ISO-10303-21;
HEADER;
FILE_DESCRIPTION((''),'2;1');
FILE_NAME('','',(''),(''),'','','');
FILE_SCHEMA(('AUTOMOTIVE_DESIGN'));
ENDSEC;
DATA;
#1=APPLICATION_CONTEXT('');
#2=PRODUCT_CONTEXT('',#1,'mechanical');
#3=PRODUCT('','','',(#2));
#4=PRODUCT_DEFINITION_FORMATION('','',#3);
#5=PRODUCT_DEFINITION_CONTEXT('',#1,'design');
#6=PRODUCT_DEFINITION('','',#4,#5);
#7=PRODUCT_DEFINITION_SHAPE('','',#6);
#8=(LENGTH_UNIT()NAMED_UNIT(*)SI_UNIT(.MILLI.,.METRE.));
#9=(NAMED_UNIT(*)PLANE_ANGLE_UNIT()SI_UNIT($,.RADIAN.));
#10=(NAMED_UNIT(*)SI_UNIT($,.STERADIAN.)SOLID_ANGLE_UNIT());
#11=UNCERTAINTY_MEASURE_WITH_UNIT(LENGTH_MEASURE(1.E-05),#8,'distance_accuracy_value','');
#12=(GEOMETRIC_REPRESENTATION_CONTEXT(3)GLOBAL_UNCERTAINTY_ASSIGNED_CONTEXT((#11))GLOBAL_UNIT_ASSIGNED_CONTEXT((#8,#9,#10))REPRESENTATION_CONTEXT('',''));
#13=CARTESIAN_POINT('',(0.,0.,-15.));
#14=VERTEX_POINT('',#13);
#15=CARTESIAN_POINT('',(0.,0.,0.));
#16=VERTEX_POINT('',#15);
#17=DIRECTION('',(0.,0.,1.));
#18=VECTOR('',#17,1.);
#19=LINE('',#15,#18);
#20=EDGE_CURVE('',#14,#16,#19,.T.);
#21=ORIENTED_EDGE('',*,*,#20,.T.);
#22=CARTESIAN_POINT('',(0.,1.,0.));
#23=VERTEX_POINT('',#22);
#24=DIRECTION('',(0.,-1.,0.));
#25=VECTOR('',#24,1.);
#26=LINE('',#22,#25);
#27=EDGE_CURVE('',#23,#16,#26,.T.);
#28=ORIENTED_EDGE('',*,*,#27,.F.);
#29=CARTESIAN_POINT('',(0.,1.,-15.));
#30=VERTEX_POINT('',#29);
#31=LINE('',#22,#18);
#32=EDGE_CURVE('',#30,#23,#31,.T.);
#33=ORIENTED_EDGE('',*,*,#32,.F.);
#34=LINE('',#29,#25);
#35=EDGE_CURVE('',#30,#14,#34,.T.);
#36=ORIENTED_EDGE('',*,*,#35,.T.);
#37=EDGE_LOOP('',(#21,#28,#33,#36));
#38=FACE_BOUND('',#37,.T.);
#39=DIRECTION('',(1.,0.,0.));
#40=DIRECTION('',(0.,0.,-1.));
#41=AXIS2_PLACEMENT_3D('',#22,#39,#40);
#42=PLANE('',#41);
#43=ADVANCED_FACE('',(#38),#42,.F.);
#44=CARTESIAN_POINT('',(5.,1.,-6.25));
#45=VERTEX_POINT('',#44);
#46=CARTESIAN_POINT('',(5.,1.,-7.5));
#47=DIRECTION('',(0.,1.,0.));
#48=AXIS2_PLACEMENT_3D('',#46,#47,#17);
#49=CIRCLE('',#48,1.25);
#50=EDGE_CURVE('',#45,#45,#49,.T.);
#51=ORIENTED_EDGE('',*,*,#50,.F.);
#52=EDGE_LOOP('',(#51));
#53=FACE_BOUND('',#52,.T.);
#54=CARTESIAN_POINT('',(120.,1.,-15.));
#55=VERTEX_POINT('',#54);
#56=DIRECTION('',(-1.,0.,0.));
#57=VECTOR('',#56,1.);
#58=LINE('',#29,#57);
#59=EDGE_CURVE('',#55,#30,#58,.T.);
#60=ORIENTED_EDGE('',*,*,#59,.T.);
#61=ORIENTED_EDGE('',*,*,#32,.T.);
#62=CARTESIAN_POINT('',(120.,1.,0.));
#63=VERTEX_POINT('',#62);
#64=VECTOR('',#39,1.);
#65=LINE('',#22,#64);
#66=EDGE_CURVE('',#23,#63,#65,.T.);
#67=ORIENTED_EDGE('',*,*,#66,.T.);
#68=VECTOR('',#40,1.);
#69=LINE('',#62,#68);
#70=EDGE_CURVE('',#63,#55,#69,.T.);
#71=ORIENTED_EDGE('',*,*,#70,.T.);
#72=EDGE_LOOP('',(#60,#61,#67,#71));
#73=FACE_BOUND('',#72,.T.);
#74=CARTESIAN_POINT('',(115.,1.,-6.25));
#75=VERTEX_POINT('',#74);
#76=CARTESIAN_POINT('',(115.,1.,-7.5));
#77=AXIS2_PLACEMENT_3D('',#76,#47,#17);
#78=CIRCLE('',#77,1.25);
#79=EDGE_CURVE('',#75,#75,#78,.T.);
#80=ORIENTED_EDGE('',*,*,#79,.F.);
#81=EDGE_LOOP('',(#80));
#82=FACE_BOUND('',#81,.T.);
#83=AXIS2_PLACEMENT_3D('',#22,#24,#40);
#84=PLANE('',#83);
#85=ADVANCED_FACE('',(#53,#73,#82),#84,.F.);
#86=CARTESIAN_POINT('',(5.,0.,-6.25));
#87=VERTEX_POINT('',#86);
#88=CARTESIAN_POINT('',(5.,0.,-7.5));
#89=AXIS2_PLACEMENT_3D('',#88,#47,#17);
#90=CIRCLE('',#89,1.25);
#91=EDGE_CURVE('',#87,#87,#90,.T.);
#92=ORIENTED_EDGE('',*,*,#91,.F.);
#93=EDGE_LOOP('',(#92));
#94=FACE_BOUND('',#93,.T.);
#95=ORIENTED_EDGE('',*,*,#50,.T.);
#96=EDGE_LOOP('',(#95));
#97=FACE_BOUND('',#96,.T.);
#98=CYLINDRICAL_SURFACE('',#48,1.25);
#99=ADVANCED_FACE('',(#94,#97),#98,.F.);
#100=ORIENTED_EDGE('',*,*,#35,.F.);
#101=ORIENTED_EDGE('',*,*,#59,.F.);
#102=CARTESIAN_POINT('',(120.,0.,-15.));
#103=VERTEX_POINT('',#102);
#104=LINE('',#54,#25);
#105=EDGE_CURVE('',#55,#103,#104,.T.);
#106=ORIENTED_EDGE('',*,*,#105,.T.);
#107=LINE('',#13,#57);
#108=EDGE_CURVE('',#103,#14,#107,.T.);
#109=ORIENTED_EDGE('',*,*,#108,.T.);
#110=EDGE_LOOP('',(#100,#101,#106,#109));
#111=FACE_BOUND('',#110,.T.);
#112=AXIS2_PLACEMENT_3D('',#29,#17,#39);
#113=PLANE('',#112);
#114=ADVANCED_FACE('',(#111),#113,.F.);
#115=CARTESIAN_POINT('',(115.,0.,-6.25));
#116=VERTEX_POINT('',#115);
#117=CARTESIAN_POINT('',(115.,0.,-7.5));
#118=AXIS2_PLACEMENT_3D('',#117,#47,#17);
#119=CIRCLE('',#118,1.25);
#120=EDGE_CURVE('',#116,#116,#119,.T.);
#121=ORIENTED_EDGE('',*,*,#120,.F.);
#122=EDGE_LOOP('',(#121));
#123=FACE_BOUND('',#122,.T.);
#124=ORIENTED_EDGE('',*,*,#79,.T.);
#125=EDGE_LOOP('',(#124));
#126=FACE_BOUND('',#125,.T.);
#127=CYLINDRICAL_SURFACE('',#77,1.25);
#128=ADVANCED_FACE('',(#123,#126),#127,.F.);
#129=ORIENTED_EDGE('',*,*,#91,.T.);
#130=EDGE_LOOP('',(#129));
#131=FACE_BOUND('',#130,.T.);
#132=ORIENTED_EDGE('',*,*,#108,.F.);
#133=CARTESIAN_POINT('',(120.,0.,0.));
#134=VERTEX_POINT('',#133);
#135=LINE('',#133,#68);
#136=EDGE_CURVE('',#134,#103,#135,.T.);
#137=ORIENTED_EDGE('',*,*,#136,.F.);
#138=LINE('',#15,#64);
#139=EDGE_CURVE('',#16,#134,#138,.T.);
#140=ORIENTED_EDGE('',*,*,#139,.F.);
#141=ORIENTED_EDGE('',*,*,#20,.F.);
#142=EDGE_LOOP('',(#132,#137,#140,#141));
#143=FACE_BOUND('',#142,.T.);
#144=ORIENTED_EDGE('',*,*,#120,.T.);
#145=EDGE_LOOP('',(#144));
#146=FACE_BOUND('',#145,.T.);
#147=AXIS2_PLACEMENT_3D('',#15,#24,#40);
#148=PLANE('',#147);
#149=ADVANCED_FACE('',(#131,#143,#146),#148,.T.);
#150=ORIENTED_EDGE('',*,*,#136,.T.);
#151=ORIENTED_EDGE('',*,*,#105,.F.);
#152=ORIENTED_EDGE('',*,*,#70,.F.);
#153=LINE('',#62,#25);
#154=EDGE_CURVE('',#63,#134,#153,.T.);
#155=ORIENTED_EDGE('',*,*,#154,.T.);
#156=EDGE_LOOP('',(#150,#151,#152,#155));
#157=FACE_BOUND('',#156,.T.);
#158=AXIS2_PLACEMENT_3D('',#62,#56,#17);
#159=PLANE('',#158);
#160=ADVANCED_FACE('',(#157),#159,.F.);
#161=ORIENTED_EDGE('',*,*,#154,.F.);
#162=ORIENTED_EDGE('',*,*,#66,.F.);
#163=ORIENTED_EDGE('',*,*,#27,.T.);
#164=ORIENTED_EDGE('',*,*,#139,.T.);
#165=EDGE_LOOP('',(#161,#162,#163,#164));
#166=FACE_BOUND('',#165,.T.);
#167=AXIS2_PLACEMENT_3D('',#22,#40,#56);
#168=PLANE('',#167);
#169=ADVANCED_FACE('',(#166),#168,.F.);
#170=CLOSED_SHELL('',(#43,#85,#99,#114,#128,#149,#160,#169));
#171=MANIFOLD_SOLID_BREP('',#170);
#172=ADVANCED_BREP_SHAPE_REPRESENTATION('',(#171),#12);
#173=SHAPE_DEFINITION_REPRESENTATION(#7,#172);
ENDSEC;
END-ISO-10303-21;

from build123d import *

# Parameters (mm, degrees)
SKETCH_1_W      = 120
SKETCH_1_H      = 15
EXTRUDE_1_DEPTH = 1
M3X0_5_1_D      = 2.5


with BuildPart() as part:
    # ｽｹｯﾁ1 → ﾎﾞｽ - 押し出し1 (new body)
    with BuildSketch(Plane(origin=(0, 0, 0), x_dir=(1, 0, 0), z_dir=(0, 1, 0))):
        with Locations((60, 7.5)):
            Rectangle(SKETCH_1_W, SKETCH_1_H)
    extrude(amount=EXTRUDE_1_DEPTH)

    # M3x0.5 ねじ穴1 (through all)
    with Locations(Plane(origin=(0, 1, 0), x_dir=(1, 0, 0), z_dir=(0, 1, 0))):
        with Locations((5, 7.5), (115, 7.5)):
            Hole(M3X0_5_1_D / 2)


solid = part.part
